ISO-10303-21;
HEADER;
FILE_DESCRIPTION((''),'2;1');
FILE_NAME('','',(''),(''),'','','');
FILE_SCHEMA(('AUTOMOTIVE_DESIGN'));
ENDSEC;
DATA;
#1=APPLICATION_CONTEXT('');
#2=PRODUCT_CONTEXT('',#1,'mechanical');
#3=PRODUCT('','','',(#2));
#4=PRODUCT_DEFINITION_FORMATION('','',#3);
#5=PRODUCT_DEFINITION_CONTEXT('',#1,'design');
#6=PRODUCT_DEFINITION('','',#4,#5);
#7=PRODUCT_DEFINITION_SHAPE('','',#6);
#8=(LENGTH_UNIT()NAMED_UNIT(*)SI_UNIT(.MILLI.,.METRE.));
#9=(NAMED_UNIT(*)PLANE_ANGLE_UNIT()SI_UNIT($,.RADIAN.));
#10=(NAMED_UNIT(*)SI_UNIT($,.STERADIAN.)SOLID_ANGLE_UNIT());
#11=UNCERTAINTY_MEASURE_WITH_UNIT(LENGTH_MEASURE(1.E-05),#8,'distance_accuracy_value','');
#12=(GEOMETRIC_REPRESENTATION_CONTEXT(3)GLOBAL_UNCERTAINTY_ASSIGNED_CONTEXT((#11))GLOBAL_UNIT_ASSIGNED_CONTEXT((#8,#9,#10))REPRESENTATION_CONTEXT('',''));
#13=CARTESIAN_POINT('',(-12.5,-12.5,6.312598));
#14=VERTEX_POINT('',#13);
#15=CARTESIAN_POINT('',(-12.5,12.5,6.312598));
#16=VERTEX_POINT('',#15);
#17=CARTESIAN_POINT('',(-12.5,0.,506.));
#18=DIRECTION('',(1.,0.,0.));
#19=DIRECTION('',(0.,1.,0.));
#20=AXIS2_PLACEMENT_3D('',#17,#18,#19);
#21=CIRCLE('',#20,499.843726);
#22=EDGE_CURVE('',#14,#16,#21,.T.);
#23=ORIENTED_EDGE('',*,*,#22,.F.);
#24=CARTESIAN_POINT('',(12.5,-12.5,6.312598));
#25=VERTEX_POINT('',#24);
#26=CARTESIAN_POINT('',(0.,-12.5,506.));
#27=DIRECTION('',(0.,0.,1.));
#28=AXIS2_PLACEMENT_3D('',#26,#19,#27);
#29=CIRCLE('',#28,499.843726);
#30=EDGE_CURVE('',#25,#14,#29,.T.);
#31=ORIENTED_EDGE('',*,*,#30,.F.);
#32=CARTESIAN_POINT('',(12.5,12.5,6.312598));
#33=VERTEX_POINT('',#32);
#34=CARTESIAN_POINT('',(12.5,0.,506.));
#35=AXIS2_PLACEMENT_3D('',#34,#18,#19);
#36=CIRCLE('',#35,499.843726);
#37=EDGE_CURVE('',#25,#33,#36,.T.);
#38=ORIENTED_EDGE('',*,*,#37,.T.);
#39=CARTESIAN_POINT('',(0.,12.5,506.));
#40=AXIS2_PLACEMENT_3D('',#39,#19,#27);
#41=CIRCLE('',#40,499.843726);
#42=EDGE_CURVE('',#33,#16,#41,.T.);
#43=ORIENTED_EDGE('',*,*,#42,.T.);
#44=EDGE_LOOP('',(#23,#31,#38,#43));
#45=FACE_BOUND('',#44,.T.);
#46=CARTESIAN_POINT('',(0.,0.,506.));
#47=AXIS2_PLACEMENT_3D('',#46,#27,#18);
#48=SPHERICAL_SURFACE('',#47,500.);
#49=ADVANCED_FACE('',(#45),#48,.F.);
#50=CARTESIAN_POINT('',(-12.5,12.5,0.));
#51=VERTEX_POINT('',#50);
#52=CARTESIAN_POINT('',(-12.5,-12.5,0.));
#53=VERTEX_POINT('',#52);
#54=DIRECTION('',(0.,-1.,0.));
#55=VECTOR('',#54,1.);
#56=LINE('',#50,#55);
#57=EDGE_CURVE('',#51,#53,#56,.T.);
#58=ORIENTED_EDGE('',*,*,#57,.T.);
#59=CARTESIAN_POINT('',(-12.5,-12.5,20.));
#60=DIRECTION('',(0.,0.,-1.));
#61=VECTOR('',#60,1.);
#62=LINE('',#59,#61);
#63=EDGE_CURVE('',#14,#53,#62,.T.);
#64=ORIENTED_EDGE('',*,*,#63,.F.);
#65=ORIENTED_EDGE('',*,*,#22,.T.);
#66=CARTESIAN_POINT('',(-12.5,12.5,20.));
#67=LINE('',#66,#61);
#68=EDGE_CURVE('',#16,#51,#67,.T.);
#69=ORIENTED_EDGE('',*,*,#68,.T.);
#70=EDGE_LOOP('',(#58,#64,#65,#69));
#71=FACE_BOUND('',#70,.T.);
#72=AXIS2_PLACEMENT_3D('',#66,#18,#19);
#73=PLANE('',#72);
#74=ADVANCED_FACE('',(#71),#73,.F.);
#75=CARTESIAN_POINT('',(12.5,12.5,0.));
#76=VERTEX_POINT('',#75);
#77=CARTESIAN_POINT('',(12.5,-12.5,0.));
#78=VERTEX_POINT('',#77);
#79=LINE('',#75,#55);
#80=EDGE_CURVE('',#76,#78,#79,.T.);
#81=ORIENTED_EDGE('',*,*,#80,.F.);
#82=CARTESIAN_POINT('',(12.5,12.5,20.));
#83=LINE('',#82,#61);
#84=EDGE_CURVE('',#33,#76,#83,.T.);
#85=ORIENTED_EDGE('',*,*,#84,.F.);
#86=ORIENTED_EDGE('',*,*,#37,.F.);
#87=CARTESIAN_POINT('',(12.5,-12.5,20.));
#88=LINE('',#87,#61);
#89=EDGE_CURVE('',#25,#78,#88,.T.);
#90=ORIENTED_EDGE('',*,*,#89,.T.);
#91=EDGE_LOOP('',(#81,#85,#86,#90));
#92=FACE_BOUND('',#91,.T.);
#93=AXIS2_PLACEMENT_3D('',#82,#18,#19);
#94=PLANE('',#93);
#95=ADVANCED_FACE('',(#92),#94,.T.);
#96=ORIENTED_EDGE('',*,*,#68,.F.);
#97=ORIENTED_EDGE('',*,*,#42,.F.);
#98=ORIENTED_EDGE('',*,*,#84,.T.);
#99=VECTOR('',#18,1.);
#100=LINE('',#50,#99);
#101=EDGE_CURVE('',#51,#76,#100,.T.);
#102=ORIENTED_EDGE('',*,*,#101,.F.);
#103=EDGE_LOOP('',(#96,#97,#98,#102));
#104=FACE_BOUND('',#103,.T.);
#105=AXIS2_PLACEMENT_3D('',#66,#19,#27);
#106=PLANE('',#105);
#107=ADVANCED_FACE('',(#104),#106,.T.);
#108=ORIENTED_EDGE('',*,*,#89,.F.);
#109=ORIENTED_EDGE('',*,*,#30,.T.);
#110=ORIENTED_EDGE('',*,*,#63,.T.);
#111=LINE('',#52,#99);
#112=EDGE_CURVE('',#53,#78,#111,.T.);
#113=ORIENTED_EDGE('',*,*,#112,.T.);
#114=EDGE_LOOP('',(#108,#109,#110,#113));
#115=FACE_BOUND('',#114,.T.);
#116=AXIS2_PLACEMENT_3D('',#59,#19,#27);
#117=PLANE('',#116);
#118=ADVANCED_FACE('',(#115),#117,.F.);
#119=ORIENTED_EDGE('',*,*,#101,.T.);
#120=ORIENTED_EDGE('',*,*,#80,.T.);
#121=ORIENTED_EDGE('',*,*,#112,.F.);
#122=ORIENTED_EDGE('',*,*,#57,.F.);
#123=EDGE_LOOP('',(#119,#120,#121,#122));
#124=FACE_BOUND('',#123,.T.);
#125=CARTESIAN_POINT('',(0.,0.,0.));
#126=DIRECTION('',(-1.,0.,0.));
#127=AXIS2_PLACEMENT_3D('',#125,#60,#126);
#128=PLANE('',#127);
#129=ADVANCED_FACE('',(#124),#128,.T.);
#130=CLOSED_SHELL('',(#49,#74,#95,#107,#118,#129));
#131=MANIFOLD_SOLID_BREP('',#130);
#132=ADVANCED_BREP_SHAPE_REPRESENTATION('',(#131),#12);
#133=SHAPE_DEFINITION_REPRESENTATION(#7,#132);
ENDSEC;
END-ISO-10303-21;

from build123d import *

# Parameters (mm, degrees)
SKETCH_1_W      = 25
SKETCH_1_H      = 25
EXTRUDE_1_DEPTH = 20


with BuildPart() as part:
    # 草图1 → 凸台-拉伸1 (new body)
    with BuildSketch(Plane.XY):
        Rectangle(SKETCH_1_W, SKETCH_1_H)
    extrude(amount=EXTRUDE_1_DEPTH)

    # 草图2 → 切除-旋转2 (revolve, cut)
    with BuildSketch(Plane(origin=(0, 0, 0), x_dir=(1, 0, 0), z_dir=(0, 1, 0))):
        with BuildLine():
            Line((487.422730906, -394.559067683), (0, -394.559067683))
            Line((0, -394.559067683), (0, -6))
            ThreePointArc((0, -6), (311.672531547, -115.026557067), (487.422730906, -394.559067683))
        make_face()
    revolve(axis=Axis((0, 0, 394.559067683), (0, 0, -1)), mode=Mode.SUBTRACT)


solid = part.part
